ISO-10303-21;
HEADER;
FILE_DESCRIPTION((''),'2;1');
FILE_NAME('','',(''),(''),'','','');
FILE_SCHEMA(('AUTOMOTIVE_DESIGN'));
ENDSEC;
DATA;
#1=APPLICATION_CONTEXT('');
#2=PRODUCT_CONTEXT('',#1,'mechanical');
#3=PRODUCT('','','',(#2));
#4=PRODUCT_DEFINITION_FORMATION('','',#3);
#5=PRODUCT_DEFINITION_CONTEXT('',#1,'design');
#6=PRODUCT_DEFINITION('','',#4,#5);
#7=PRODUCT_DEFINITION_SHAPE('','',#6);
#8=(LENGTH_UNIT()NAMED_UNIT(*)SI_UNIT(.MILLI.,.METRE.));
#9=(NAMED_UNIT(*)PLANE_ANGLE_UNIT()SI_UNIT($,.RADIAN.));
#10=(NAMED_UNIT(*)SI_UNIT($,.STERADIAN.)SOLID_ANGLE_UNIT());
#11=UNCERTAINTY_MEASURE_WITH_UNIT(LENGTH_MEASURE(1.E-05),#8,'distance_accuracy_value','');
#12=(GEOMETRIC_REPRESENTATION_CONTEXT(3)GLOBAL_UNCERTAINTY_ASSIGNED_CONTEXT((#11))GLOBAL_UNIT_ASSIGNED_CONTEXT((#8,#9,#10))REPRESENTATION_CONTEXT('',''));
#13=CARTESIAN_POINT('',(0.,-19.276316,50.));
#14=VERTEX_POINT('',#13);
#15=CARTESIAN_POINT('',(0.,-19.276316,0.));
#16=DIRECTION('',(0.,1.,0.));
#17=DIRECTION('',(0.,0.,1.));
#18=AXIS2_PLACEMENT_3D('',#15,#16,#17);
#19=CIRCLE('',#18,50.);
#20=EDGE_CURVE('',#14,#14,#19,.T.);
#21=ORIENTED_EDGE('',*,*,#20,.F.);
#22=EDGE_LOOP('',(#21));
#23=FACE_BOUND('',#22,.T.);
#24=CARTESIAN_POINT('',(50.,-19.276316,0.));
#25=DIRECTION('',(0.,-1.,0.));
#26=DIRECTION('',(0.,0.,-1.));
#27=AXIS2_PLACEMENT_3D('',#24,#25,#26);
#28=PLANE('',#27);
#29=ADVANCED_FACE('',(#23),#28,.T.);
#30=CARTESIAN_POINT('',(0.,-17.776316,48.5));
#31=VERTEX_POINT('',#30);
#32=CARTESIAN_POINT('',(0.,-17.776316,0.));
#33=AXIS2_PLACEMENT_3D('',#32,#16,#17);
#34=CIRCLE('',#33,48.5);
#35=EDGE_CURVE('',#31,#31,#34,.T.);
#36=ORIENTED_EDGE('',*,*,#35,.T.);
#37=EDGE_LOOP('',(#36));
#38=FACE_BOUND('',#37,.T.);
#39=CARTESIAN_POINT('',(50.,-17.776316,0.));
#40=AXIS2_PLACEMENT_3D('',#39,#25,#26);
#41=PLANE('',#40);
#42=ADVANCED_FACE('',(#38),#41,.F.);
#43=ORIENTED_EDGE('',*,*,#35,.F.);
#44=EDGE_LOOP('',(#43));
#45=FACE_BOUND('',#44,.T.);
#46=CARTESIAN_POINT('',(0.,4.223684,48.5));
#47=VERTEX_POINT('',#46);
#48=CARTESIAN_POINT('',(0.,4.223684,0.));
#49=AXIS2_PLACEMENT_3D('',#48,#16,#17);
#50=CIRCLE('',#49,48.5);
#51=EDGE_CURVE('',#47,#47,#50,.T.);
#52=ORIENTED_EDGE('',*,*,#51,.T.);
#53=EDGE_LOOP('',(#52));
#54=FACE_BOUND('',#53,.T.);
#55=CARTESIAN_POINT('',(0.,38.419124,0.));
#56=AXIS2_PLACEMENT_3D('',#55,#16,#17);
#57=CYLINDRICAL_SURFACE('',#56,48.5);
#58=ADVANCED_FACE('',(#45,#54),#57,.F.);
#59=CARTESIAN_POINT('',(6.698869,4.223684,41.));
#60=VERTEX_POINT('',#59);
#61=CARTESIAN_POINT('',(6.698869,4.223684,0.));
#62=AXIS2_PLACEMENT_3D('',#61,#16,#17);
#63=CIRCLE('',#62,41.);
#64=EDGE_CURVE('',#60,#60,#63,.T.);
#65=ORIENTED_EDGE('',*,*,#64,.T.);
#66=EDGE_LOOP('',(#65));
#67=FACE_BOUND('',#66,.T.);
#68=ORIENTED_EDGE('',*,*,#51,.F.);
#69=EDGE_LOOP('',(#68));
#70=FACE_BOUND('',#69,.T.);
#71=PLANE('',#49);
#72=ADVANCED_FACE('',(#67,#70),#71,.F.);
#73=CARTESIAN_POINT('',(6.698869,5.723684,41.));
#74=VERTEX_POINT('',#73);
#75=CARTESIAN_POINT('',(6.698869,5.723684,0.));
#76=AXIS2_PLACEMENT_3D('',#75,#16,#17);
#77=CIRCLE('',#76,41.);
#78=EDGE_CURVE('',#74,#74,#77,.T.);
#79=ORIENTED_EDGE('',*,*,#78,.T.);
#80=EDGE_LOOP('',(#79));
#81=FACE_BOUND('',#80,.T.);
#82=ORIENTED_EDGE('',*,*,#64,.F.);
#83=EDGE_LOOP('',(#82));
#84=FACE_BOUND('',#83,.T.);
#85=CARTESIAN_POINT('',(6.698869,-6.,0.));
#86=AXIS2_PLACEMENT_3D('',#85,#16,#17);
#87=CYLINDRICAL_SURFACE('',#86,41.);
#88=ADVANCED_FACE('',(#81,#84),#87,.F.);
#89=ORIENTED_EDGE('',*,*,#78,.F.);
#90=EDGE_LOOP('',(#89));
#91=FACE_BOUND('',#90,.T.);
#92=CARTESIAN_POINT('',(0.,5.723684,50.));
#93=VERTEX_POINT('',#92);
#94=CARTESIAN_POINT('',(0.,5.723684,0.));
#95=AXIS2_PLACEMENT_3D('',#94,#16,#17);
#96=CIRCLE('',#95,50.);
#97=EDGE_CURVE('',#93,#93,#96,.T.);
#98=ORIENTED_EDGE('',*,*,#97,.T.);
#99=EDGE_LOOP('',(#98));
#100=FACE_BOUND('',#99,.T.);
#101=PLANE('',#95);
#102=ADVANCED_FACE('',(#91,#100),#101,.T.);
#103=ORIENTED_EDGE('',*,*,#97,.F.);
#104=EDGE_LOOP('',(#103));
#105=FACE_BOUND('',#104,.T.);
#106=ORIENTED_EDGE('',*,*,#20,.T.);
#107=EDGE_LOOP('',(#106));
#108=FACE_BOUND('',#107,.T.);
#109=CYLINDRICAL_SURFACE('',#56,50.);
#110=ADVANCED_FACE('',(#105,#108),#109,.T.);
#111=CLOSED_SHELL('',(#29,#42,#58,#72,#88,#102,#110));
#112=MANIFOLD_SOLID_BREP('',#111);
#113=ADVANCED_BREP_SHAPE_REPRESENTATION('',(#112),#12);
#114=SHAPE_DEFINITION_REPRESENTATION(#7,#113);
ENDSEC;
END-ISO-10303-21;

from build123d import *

# Parameters (mm, degrees)
SKETCH_3_R          = 41
CUT_EXTRUDE_2_DEPTH = 6


with BuildPart() as part:
    # 草图2 → 旋转-薄壁6 (revolve)
    with BuildSketch(Plane.XY, mode=Mode.PRIVATE) as revolve_6_sk:
        Polygon((0, 5.723684211), (50, 5.723684211), (50, -19.276315789), (0, -19.276315789), (0, -17.776315789), (48.5, -17.776315789), (48.5, 4.223684211), (0, 4.223684211), align=None)
    revolve(revolve_6_sk.sketch.rotate(Axis((0, 38.419124221, 0), (0, -1, 0)), 90), axis=Axis((0, 38.419124221, 0), (0, -1, 0)))

    # 草图3 → 切除-拉伸2 (cut, symmetric)
    with BuildSketch(Plane(origin=(0, 0, 0), x_dir=(1, 0, 0), z_dir=(0, 1, 0))):
        with Locations(Location((6.69886917, 0, 0), (0, 0, 270))):
            Circle(SKETCH_3_R)
    extrude(amount=CUT_EXTRUDE_2_DEPTH, both=True, mode=Mode.SUBTRACT)


solid = part.part
